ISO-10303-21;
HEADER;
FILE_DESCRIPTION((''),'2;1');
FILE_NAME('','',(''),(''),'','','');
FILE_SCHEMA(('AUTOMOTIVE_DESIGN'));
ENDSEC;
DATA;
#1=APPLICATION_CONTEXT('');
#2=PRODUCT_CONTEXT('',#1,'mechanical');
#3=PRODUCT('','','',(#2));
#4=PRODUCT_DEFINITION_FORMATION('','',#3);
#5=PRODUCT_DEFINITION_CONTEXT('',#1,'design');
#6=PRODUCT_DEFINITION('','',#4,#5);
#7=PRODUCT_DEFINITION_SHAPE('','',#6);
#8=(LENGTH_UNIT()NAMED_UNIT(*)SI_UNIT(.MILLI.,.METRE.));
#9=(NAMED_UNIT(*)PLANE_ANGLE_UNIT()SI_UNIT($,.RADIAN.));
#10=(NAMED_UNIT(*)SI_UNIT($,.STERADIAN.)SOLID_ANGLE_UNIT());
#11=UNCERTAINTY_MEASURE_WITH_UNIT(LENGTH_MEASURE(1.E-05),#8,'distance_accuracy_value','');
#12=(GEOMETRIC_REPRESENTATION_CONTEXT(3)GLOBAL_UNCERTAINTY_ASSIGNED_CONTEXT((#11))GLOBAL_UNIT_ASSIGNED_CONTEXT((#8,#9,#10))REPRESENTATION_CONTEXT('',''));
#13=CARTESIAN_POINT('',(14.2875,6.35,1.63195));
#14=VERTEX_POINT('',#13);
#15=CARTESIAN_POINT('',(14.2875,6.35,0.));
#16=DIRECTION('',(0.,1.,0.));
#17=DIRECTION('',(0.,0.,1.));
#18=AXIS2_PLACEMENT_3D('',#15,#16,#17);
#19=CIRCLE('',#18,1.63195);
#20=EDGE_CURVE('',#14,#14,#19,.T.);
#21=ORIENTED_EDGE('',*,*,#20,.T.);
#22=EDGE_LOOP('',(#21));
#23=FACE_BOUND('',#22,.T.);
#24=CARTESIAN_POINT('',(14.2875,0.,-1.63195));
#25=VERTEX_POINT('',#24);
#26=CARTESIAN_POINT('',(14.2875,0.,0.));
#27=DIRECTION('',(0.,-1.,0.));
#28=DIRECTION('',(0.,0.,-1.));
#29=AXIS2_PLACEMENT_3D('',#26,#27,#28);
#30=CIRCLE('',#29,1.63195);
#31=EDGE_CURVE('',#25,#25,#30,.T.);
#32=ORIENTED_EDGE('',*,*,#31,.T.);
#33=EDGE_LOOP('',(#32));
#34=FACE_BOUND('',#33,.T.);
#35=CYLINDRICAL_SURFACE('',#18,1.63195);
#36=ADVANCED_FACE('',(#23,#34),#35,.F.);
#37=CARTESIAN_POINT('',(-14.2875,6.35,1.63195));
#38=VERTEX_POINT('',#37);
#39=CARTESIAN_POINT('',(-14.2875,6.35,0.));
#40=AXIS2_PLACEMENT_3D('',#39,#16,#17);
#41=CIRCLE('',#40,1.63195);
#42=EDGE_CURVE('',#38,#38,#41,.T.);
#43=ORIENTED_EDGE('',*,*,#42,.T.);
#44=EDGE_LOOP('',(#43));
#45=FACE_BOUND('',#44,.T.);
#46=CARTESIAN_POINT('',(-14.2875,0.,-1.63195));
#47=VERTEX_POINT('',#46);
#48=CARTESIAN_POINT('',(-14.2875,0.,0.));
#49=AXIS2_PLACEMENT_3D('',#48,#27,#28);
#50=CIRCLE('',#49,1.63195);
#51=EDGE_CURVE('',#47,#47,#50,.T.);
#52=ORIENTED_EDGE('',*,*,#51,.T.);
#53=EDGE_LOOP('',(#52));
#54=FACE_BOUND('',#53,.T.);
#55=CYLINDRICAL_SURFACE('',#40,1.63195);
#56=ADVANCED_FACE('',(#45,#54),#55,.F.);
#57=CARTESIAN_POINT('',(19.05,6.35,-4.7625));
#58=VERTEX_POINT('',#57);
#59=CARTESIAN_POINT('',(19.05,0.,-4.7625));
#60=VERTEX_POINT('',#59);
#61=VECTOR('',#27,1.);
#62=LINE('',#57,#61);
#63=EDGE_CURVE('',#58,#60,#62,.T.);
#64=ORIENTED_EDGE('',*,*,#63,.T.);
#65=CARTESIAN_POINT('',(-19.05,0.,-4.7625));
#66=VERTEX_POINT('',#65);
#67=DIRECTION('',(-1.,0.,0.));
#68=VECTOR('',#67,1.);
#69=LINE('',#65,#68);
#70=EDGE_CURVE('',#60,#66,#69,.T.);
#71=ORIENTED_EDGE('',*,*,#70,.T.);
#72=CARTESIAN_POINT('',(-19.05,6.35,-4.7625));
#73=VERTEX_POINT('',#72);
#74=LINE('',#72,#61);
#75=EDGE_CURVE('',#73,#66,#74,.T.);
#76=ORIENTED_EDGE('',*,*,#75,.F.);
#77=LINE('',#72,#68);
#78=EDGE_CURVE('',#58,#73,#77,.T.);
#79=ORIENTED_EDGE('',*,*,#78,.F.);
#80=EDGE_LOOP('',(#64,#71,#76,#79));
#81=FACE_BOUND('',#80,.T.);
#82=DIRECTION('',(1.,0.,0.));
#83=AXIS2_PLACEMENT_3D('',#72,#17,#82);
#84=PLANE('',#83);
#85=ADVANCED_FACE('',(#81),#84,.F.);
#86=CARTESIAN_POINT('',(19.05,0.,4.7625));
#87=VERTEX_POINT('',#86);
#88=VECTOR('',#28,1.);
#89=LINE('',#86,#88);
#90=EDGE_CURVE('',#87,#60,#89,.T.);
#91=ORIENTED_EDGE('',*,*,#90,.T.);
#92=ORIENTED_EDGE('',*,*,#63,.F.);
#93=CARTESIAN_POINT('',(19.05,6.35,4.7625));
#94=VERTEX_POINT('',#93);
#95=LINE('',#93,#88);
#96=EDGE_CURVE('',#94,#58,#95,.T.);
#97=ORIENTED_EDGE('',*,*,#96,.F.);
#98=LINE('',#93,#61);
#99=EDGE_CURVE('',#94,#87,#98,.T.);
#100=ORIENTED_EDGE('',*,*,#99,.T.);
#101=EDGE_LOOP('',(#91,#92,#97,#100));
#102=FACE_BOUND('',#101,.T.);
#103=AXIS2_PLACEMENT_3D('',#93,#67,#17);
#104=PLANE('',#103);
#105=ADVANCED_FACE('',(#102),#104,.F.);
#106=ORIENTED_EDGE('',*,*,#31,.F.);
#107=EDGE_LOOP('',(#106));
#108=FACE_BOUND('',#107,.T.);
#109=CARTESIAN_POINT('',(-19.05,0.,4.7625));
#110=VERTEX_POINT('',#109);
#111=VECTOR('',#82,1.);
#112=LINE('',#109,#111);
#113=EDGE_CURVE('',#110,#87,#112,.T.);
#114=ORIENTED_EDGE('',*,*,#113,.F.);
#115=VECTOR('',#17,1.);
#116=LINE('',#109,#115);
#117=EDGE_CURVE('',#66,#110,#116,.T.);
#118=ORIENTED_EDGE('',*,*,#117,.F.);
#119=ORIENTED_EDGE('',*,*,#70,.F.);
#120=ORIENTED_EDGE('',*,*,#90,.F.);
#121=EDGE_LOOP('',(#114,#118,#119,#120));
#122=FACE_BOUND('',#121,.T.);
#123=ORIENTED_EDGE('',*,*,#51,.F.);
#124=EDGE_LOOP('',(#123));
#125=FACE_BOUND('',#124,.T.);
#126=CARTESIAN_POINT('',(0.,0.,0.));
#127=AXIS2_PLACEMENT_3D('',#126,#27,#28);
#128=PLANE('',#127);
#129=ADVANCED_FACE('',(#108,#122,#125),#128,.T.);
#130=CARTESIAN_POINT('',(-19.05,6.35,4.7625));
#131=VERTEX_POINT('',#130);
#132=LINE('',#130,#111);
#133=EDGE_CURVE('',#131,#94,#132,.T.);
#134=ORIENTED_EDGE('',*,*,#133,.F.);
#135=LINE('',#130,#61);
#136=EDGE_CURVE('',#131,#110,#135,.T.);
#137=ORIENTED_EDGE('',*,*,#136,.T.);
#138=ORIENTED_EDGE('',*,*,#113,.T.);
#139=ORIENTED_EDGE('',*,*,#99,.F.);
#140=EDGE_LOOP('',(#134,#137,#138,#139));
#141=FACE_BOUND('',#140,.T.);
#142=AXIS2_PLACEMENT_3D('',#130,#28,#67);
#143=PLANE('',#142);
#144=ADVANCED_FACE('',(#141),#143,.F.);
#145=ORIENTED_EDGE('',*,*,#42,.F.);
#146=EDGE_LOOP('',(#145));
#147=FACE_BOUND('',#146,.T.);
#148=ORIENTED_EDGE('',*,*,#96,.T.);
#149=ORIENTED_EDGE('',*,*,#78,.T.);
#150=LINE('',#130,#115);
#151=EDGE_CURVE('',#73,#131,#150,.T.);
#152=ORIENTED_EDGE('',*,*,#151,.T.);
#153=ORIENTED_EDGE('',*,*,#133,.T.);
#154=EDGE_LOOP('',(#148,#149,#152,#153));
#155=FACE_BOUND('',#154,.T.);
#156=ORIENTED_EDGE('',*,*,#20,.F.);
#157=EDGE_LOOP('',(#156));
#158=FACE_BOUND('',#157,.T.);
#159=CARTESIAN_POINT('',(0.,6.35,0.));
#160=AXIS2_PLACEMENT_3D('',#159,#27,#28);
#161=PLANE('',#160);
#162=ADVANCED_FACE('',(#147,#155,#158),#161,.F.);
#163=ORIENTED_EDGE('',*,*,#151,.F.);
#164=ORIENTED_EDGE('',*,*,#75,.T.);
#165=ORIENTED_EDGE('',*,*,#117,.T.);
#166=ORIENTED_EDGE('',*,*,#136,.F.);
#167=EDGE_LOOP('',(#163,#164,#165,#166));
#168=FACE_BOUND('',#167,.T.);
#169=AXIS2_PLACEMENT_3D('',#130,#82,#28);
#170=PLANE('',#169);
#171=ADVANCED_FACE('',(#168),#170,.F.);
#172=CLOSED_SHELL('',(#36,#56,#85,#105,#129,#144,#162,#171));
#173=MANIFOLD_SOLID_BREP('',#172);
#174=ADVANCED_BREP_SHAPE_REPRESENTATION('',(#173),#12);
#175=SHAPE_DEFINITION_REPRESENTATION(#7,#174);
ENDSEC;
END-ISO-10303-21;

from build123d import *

# Parameters (mm, degrees)
SKETCH1_W             = 38.1
SKETCH1_H             = 9.525
BOSS_EXTRUDE1_DEPTH   = 6.35
F_4_CLEARANCE_HOLE1_D = 3.2639


with BuildPart() as part:
    # Sketch1 → Boss-Extrude1 (new body)
    with BuildSketch(Plane(origin=(0, 0, 0), x_dir=(1, 0, 0), z_dir=(0, 1, 0))):
        Rectangle(SKETCH1_W, SKETCH1_H)
    extrude(amount=BOSS_EXTRUDE1_DEPTH)

    # #4 Clearance Hole1 (through all)
    with Locations(Plane(origin=(0, 6.35, 0), x_dir=(1, 0, 0), z_dir=(0, 1, 0))):
        with Locations((-14.2875, 0)):
            f_4_clearance_hole1 = Hole(F_4_CLEARANCE_HOLE1_D / 2)

    # Mirror1: #4 Clearance Hole1 across plane
    add(f_4_clearance_hole1.mirror(Plane(origin=(0, 0, 0), x_dir=(0, 0, 1), z_dir=(1, 0, 0))), mode=Mode.SUBTRACT)


solid = part.part
